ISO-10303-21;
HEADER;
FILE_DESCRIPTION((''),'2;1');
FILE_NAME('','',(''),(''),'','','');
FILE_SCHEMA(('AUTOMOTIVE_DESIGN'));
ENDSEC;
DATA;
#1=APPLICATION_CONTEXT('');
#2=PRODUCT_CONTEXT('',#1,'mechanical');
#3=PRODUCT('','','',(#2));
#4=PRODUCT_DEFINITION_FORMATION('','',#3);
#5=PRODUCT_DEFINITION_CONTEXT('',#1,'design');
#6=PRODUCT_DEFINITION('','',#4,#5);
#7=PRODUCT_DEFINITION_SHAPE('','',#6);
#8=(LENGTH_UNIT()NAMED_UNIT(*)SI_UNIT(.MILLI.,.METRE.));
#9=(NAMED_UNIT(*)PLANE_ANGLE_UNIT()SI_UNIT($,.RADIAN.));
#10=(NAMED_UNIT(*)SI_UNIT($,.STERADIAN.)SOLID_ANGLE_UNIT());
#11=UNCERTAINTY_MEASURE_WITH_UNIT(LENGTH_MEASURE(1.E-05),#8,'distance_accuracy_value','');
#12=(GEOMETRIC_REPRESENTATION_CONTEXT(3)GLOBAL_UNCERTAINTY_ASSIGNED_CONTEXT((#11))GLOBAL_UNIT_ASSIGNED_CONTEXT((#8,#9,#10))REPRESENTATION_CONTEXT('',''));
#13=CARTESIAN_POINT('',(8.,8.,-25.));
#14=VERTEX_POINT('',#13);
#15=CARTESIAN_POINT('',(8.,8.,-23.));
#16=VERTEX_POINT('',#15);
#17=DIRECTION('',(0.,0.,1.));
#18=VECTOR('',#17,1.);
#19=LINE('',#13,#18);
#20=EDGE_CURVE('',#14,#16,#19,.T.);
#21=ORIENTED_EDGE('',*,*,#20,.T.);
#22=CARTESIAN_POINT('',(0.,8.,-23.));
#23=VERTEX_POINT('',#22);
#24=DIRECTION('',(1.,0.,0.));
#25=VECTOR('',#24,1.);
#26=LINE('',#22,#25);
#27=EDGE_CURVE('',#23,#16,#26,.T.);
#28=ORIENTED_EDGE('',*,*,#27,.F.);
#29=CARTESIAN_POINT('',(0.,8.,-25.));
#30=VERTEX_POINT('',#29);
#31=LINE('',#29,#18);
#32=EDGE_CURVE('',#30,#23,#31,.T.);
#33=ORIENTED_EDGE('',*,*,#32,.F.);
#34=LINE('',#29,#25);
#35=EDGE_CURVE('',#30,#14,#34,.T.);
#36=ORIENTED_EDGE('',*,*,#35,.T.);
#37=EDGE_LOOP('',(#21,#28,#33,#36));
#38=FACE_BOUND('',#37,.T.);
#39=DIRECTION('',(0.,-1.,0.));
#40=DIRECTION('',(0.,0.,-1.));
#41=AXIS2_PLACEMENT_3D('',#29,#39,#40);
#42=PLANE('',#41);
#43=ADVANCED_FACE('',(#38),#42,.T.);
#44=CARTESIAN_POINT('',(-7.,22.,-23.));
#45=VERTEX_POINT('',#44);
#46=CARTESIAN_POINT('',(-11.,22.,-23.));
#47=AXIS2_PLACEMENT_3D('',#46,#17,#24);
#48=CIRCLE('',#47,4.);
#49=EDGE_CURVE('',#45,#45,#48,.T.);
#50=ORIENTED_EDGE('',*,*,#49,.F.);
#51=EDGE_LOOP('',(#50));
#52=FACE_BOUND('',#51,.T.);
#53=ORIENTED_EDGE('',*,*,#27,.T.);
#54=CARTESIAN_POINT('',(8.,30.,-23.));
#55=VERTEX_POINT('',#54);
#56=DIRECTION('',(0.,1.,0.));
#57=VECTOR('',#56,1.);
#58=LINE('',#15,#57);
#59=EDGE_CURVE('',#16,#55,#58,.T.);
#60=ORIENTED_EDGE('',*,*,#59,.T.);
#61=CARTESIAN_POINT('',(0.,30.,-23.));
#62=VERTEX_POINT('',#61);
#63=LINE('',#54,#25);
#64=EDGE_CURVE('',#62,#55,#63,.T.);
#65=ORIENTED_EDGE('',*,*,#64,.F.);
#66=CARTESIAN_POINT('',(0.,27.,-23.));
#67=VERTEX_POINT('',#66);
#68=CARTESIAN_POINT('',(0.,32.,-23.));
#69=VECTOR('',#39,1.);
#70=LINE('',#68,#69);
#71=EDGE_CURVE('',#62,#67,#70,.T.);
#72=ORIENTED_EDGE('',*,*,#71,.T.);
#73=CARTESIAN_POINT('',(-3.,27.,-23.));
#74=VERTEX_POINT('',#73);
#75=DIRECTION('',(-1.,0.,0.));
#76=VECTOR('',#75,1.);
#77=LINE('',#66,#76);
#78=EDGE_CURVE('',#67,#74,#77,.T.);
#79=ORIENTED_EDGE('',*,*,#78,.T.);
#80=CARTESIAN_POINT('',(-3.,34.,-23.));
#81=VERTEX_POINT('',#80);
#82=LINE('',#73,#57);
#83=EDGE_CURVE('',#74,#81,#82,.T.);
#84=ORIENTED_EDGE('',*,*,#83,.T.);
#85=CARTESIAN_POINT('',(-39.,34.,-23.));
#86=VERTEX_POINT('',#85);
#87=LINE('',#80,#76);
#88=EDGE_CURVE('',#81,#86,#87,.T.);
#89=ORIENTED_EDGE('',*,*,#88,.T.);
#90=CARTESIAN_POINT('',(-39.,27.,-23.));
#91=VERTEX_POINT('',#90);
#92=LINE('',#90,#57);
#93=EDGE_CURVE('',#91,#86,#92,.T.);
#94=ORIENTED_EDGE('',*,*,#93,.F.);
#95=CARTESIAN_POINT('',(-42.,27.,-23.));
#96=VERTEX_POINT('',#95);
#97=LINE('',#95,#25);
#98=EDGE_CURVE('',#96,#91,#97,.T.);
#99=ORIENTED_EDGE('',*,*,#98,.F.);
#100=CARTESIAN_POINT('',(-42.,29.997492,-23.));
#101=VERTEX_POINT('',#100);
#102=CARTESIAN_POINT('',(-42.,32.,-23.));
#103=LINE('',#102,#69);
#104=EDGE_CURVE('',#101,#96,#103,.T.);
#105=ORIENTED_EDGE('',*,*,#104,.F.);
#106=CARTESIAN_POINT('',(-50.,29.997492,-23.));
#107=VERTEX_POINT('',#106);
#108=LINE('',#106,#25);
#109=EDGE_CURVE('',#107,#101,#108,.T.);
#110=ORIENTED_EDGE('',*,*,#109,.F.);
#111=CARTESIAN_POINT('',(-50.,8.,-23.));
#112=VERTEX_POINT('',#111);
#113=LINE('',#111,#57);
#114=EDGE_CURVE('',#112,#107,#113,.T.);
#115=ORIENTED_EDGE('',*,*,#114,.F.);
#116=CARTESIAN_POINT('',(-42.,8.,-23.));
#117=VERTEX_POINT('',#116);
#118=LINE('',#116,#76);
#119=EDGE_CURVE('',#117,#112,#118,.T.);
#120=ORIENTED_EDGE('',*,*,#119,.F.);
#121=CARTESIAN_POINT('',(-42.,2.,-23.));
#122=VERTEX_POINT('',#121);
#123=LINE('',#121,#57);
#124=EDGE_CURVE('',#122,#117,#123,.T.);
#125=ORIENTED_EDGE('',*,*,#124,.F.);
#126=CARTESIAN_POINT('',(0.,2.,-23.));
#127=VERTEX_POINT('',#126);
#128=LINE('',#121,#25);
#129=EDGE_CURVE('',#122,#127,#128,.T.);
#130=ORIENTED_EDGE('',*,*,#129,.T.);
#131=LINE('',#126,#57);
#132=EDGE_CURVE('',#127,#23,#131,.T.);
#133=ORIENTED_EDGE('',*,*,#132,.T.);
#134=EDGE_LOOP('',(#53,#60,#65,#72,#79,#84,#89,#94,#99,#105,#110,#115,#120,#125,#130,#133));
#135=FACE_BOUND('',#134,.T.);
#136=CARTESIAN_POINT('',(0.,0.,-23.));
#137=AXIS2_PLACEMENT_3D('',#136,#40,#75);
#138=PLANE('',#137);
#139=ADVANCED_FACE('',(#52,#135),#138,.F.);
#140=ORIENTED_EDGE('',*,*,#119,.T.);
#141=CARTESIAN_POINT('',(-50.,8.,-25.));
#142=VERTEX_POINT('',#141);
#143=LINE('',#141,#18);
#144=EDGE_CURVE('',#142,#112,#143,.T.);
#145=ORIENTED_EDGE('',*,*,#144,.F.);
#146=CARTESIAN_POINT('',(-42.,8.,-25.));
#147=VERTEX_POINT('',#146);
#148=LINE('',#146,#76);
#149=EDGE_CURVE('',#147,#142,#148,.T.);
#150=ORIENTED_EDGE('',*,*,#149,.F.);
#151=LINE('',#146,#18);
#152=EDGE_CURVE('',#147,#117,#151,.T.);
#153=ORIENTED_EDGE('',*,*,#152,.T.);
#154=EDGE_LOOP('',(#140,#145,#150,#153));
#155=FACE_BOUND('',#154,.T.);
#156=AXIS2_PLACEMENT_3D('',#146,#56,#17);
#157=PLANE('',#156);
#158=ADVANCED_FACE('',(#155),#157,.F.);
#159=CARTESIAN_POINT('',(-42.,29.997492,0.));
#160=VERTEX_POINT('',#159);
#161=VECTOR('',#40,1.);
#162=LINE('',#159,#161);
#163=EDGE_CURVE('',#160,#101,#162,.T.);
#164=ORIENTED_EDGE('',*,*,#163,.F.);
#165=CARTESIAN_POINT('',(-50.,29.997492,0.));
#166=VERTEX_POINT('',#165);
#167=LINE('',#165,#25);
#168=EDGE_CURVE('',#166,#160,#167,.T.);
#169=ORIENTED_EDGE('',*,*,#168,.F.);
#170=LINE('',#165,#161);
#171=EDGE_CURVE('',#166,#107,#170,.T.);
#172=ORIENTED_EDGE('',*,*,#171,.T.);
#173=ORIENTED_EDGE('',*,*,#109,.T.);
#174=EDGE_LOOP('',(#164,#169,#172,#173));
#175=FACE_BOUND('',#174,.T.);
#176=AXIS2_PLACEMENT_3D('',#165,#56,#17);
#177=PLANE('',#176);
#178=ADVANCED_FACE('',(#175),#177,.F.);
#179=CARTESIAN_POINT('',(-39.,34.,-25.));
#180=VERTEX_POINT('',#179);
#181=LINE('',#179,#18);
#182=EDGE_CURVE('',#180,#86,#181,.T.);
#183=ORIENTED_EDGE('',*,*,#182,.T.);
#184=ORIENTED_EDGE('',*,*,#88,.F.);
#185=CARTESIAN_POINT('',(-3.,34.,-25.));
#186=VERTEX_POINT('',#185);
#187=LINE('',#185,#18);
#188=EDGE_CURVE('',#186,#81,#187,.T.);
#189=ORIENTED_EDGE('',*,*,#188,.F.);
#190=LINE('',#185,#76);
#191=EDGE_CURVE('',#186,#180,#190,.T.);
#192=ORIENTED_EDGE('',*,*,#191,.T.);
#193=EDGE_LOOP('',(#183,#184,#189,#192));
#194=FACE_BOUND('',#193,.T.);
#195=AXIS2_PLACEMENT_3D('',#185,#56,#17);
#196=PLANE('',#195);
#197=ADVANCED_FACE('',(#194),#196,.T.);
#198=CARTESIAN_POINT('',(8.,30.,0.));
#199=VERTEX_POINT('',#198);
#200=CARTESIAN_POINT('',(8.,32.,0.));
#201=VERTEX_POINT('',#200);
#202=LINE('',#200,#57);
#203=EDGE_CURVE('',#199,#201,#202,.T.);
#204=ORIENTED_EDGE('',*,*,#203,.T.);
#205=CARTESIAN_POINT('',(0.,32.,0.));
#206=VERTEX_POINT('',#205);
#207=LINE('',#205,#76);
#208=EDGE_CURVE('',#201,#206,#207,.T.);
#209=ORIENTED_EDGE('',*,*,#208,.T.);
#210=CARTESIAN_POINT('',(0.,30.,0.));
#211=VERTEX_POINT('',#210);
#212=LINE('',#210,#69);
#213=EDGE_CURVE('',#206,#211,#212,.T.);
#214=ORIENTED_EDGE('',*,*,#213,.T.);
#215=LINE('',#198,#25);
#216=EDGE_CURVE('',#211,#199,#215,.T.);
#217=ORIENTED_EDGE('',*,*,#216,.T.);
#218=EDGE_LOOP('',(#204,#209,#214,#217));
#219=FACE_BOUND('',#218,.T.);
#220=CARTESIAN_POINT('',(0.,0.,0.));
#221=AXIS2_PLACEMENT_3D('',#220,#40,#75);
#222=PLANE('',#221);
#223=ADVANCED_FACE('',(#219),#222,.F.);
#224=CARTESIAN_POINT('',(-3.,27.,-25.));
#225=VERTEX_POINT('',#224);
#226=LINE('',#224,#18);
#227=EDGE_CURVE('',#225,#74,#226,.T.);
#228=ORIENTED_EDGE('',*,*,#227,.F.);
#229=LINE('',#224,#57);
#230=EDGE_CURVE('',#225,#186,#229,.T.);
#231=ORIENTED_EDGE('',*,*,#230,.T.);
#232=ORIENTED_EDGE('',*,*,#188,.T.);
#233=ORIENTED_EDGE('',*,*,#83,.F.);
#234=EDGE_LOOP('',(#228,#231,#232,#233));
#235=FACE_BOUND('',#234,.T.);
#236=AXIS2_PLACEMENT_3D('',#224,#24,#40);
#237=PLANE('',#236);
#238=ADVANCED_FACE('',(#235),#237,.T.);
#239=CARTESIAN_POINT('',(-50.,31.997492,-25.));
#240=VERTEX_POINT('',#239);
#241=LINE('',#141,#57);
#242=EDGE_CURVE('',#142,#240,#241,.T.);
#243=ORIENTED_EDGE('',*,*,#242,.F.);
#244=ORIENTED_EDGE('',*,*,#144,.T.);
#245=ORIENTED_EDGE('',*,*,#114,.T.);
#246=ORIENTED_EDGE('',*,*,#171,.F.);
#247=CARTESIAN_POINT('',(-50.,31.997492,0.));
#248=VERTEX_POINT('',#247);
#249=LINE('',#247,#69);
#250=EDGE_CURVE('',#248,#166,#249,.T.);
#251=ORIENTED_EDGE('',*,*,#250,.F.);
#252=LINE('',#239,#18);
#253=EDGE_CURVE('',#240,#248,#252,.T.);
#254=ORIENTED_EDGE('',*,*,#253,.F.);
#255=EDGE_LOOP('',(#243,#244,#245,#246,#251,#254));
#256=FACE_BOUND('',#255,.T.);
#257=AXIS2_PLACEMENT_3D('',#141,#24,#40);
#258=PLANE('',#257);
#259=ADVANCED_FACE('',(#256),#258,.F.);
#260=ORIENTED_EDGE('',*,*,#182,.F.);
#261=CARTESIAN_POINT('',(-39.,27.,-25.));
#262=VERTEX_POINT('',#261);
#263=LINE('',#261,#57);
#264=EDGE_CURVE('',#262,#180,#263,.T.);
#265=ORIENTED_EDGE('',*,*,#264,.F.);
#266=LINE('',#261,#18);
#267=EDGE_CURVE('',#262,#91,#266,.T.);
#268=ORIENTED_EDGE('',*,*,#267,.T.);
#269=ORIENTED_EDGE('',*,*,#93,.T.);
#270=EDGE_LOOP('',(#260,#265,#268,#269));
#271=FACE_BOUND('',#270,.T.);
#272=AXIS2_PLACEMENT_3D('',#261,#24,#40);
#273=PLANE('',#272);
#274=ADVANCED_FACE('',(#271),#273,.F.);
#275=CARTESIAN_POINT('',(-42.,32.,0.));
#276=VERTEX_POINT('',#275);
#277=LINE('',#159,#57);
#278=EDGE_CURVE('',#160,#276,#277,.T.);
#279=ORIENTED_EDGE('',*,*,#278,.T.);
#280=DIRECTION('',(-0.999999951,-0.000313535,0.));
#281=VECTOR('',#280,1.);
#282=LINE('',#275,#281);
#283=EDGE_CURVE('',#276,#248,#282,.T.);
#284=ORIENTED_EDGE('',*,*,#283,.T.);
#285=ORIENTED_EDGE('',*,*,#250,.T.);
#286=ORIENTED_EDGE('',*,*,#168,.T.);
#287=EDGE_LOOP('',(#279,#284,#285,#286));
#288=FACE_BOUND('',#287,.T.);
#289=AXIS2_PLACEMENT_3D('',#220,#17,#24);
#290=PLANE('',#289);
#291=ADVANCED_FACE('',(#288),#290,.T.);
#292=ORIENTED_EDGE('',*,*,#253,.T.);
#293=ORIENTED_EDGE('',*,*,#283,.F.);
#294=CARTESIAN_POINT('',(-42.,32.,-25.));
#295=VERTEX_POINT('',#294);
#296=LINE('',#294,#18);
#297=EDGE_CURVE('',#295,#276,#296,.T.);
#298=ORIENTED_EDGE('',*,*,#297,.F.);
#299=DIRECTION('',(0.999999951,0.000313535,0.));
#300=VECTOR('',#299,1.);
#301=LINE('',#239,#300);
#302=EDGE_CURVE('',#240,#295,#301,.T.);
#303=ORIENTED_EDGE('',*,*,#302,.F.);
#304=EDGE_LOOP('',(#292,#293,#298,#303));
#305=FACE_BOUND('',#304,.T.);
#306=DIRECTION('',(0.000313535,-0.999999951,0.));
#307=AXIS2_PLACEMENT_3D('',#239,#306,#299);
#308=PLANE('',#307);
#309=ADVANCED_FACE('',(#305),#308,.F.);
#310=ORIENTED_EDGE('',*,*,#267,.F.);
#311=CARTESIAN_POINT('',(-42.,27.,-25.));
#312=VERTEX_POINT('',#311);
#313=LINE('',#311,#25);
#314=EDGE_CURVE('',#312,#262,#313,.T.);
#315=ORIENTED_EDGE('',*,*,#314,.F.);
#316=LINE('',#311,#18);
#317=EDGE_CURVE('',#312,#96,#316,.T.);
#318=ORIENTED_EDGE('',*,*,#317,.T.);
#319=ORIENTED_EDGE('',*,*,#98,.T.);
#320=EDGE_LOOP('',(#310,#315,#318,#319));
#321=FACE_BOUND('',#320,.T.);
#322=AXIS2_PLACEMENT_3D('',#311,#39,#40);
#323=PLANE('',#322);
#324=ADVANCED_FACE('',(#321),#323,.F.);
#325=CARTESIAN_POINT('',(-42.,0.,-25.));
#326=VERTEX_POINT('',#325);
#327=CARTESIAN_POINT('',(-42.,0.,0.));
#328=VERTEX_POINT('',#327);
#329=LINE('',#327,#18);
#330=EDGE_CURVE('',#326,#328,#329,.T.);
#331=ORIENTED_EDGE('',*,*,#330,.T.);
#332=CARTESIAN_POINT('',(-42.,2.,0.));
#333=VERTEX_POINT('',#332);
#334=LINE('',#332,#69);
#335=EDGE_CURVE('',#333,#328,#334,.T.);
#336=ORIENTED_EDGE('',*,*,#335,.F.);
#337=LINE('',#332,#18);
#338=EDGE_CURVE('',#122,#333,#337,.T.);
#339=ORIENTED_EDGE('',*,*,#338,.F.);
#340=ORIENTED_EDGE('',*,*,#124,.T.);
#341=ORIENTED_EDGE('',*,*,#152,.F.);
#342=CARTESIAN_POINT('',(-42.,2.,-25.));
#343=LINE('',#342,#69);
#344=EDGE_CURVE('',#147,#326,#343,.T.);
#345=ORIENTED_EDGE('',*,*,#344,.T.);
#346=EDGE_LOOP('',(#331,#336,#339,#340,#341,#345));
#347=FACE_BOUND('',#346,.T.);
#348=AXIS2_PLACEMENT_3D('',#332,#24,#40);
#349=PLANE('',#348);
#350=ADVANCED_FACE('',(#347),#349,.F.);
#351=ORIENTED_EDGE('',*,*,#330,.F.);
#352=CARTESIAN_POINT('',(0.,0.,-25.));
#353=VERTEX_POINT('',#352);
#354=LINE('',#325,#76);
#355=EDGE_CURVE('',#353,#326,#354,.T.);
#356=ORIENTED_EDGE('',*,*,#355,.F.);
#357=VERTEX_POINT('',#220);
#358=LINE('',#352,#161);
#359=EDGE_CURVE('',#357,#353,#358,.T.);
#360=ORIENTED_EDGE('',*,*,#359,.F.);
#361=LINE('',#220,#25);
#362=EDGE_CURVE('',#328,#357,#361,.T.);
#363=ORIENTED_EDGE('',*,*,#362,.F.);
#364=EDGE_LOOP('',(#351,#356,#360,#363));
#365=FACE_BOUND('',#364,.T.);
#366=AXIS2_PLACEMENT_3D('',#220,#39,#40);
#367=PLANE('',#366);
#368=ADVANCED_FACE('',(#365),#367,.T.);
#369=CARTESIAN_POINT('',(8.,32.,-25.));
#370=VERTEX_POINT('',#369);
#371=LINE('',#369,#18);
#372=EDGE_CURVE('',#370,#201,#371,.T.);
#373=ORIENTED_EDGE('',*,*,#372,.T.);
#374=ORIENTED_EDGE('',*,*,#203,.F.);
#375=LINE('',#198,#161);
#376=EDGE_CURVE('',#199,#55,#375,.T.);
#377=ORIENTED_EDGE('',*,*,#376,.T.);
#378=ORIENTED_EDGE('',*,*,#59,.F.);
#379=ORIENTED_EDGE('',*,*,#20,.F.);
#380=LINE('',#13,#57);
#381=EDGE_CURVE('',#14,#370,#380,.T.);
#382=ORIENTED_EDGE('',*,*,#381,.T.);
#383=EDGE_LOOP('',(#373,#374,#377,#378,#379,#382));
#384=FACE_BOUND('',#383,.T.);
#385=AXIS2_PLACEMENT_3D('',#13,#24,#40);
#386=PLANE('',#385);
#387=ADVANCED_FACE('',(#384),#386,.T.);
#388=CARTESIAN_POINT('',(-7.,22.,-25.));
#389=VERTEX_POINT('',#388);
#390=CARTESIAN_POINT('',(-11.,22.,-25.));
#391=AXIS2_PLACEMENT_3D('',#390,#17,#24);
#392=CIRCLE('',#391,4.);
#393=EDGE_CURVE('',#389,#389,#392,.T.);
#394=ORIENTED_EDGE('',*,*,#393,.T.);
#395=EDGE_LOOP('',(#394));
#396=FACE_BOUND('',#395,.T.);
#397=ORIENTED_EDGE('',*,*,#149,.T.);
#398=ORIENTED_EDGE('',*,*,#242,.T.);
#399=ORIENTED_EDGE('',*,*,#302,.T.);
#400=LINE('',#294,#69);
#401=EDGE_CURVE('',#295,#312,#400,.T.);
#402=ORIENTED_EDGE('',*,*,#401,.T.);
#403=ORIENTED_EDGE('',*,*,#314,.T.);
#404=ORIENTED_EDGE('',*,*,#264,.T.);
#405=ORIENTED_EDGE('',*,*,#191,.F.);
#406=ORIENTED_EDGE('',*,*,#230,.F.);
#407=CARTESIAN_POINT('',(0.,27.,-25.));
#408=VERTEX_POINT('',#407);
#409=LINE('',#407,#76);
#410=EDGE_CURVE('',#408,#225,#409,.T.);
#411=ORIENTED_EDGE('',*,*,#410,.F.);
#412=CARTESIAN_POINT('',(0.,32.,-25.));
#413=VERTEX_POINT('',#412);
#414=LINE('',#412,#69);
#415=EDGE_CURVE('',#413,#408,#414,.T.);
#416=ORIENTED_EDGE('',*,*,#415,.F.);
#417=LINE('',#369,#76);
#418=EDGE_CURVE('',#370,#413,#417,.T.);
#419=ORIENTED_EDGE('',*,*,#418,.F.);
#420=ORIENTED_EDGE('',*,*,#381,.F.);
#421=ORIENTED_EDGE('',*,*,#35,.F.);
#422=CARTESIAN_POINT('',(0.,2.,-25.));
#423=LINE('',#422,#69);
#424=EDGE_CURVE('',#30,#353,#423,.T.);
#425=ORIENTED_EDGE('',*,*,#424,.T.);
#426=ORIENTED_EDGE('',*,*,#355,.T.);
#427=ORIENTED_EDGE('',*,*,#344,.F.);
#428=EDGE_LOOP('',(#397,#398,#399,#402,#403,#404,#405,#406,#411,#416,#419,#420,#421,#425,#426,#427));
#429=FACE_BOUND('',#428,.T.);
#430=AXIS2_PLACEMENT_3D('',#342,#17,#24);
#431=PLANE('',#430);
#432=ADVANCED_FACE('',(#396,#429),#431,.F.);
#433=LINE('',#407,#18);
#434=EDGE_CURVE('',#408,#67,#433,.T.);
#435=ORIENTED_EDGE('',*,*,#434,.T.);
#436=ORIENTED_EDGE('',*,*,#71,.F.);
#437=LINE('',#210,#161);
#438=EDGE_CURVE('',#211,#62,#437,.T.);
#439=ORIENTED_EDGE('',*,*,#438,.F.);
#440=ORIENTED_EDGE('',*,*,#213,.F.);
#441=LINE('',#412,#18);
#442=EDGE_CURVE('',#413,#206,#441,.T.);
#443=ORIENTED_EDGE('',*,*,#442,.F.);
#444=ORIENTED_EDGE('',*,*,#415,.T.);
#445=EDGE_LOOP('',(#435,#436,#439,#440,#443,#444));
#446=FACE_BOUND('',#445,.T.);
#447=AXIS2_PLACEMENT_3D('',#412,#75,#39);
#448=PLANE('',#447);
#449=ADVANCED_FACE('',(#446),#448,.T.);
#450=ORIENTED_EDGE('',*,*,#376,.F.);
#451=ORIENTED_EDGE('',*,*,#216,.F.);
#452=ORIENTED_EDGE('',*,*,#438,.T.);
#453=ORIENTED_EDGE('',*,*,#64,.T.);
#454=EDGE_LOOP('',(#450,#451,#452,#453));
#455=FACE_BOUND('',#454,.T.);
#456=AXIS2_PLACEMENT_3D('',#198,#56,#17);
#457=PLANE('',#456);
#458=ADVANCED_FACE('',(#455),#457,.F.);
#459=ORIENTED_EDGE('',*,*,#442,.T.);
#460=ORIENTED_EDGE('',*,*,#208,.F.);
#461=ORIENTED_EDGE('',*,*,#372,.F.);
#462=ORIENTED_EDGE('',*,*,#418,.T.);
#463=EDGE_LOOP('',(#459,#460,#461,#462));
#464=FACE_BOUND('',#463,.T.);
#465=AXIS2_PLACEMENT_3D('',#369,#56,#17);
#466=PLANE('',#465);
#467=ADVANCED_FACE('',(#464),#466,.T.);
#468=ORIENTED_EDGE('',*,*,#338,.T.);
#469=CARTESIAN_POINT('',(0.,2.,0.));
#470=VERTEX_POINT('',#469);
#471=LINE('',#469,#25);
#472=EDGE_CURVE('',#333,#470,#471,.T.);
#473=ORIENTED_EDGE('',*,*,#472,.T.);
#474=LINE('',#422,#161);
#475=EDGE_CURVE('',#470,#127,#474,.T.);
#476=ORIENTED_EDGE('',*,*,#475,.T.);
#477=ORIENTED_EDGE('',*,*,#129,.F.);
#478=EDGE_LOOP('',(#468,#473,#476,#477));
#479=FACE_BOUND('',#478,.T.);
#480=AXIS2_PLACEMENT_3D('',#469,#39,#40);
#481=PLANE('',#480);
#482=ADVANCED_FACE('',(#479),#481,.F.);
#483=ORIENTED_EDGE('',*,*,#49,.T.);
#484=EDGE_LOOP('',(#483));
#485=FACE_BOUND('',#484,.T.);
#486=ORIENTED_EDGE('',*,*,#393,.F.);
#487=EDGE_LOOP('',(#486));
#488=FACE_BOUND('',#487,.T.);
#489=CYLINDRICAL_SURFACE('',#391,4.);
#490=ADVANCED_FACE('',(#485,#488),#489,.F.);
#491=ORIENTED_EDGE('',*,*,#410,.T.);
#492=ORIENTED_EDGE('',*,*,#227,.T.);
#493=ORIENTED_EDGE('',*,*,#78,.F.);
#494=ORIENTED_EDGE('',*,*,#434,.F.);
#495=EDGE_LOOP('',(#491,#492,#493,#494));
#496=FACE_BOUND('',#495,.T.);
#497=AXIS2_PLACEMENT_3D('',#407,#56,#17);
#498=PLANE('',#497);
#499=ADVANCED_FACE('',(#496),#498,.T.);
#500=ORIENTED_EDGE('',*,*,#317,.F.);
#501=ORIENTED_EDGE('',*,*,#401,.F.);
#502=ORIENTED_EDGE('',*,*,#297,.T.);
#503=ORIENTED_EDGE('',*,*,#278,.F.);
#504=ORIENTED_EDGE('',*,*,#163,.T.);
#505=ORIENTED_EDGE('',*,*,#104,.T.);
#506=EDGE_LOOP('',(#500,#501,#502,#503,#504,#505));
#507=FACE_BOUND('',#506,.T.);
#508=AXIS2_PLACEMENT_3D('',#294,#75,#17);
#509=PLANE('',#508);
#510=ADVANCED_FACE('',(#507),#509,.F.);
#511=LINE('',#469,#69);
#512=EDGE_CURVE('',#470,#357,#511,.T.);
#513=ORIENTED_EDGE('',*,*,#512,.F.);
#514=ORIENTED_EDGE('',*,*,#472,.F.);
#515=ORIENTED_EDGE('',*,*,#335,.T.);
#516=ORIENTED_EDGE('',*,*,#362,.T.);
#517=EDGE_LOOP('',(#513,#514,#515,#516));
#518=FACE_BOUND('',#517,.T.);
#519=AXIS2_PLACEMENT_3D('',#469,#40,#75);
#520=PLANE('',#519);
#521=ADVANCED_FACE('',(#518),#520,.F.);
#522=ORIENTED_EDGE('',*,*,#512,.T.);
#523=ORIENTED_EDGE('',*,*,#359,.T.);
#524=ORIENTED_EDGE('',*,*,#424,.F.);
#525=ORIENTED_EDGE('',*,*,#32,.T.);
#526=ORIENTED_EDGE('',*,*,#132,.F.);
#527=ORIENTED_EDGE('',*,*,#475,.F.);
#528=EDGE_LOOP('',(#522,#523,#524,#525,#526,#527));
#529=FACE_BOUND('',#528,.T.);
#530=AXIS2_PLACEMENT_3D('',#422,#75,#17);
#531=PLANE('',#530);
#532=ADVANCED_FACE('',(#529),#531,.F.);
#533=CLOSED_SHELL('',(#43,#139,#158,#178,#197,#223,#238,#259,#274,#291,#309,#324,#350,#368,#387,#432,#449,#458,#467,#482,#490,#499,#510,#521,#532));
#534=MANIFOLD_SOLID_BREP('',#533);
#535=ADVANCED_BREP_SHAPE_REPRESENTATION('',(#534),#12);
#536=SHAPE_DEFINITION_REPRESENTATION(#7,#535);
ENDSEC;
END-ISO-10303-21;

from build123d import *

# Parameters (mm, degrees)
SKETCH1_W           = 42
SKETCH1_H           = 25
BOSS_EXTRUDE1_DEPTH = 2
BOSS_EXTRUDE2_DEPTH = 2
SKETCH2_R           = 4
CUT_EXTRUDE1_DEPTH  = 2
SKETCH3_W           = 8
SKETCH3_H           = 2
BOSS_EXTRUDE3_DEPTH = 23


with BuildPart() as part:
    # Sketch1 → Boss-Extrude1 (new body)
    with BuildSketch(Plane(origin=(0, 0, 0), x_dir=(1, 0, 0), z_dir=(0, 1, 0))):
        with Locations((-21, 12.5)):
            Rectangle(SKETCH1_W, SKETCH1_H)
    extrude(amount=BOSS_EXTRUDE1_DEPTH)

    # 3DSketch1 → Boss-Extrude2 (add)
    with BuildSketch(Plane(origin=(0, 2, -25), x_dir=(-0.8575119035010357, 0.5144641244577025, 0), z_dir=(0, 0, -1))):
        Polygon((0, 0), (3.086784747, 5.145071421), (-3.773310481, 9.260784417), (8.573828506, 29.841070101), (15.433923734, 25.725357105), (12.861603111, 21.437797588), (15.434138822, 19.894405214), (19.035387693, 25.896988539), (49.905816556, 7.376279856), (46.304567685, 1.373696531), (48.877103396, -0.169695842), (51.449424018, 4.117863675), (58.308228487, 0), (45.962379922, -20.578134802), (39.102284694, -16.462421806), (36.015499947, -21.607493227), align=None)
    extrude(amount=-BOSS_EXTRUDE2_DEPTH)

    # Sketch2 → Cut-Extrude1 (cut)
    with BuildSketch(Plane.XY.offset(-23)):
        with Locations((-11, 22)):
            Circle(SKETCH2_R)
    extrude(amount=-CUT_EXTRUDE1_DEPTH, mode=Mode.SUBTRACT)

    # Sketch3 → Boss-Extrude3 (add)
    with BuildSketch(Plane.XY.offset(-23)):
        Polygon((-50, 31.997491717), (-50, 29.997491717), (-42.000000393, 29.997491717), (-42.000000393, 32), align=None)
        with Locations((4, 31)):
            Rectangle(SKETCH3_W, SKETCH3_H)
    extrude(amount=BOSS_EXTRUDE3_DEPTH)


solid = part.part
